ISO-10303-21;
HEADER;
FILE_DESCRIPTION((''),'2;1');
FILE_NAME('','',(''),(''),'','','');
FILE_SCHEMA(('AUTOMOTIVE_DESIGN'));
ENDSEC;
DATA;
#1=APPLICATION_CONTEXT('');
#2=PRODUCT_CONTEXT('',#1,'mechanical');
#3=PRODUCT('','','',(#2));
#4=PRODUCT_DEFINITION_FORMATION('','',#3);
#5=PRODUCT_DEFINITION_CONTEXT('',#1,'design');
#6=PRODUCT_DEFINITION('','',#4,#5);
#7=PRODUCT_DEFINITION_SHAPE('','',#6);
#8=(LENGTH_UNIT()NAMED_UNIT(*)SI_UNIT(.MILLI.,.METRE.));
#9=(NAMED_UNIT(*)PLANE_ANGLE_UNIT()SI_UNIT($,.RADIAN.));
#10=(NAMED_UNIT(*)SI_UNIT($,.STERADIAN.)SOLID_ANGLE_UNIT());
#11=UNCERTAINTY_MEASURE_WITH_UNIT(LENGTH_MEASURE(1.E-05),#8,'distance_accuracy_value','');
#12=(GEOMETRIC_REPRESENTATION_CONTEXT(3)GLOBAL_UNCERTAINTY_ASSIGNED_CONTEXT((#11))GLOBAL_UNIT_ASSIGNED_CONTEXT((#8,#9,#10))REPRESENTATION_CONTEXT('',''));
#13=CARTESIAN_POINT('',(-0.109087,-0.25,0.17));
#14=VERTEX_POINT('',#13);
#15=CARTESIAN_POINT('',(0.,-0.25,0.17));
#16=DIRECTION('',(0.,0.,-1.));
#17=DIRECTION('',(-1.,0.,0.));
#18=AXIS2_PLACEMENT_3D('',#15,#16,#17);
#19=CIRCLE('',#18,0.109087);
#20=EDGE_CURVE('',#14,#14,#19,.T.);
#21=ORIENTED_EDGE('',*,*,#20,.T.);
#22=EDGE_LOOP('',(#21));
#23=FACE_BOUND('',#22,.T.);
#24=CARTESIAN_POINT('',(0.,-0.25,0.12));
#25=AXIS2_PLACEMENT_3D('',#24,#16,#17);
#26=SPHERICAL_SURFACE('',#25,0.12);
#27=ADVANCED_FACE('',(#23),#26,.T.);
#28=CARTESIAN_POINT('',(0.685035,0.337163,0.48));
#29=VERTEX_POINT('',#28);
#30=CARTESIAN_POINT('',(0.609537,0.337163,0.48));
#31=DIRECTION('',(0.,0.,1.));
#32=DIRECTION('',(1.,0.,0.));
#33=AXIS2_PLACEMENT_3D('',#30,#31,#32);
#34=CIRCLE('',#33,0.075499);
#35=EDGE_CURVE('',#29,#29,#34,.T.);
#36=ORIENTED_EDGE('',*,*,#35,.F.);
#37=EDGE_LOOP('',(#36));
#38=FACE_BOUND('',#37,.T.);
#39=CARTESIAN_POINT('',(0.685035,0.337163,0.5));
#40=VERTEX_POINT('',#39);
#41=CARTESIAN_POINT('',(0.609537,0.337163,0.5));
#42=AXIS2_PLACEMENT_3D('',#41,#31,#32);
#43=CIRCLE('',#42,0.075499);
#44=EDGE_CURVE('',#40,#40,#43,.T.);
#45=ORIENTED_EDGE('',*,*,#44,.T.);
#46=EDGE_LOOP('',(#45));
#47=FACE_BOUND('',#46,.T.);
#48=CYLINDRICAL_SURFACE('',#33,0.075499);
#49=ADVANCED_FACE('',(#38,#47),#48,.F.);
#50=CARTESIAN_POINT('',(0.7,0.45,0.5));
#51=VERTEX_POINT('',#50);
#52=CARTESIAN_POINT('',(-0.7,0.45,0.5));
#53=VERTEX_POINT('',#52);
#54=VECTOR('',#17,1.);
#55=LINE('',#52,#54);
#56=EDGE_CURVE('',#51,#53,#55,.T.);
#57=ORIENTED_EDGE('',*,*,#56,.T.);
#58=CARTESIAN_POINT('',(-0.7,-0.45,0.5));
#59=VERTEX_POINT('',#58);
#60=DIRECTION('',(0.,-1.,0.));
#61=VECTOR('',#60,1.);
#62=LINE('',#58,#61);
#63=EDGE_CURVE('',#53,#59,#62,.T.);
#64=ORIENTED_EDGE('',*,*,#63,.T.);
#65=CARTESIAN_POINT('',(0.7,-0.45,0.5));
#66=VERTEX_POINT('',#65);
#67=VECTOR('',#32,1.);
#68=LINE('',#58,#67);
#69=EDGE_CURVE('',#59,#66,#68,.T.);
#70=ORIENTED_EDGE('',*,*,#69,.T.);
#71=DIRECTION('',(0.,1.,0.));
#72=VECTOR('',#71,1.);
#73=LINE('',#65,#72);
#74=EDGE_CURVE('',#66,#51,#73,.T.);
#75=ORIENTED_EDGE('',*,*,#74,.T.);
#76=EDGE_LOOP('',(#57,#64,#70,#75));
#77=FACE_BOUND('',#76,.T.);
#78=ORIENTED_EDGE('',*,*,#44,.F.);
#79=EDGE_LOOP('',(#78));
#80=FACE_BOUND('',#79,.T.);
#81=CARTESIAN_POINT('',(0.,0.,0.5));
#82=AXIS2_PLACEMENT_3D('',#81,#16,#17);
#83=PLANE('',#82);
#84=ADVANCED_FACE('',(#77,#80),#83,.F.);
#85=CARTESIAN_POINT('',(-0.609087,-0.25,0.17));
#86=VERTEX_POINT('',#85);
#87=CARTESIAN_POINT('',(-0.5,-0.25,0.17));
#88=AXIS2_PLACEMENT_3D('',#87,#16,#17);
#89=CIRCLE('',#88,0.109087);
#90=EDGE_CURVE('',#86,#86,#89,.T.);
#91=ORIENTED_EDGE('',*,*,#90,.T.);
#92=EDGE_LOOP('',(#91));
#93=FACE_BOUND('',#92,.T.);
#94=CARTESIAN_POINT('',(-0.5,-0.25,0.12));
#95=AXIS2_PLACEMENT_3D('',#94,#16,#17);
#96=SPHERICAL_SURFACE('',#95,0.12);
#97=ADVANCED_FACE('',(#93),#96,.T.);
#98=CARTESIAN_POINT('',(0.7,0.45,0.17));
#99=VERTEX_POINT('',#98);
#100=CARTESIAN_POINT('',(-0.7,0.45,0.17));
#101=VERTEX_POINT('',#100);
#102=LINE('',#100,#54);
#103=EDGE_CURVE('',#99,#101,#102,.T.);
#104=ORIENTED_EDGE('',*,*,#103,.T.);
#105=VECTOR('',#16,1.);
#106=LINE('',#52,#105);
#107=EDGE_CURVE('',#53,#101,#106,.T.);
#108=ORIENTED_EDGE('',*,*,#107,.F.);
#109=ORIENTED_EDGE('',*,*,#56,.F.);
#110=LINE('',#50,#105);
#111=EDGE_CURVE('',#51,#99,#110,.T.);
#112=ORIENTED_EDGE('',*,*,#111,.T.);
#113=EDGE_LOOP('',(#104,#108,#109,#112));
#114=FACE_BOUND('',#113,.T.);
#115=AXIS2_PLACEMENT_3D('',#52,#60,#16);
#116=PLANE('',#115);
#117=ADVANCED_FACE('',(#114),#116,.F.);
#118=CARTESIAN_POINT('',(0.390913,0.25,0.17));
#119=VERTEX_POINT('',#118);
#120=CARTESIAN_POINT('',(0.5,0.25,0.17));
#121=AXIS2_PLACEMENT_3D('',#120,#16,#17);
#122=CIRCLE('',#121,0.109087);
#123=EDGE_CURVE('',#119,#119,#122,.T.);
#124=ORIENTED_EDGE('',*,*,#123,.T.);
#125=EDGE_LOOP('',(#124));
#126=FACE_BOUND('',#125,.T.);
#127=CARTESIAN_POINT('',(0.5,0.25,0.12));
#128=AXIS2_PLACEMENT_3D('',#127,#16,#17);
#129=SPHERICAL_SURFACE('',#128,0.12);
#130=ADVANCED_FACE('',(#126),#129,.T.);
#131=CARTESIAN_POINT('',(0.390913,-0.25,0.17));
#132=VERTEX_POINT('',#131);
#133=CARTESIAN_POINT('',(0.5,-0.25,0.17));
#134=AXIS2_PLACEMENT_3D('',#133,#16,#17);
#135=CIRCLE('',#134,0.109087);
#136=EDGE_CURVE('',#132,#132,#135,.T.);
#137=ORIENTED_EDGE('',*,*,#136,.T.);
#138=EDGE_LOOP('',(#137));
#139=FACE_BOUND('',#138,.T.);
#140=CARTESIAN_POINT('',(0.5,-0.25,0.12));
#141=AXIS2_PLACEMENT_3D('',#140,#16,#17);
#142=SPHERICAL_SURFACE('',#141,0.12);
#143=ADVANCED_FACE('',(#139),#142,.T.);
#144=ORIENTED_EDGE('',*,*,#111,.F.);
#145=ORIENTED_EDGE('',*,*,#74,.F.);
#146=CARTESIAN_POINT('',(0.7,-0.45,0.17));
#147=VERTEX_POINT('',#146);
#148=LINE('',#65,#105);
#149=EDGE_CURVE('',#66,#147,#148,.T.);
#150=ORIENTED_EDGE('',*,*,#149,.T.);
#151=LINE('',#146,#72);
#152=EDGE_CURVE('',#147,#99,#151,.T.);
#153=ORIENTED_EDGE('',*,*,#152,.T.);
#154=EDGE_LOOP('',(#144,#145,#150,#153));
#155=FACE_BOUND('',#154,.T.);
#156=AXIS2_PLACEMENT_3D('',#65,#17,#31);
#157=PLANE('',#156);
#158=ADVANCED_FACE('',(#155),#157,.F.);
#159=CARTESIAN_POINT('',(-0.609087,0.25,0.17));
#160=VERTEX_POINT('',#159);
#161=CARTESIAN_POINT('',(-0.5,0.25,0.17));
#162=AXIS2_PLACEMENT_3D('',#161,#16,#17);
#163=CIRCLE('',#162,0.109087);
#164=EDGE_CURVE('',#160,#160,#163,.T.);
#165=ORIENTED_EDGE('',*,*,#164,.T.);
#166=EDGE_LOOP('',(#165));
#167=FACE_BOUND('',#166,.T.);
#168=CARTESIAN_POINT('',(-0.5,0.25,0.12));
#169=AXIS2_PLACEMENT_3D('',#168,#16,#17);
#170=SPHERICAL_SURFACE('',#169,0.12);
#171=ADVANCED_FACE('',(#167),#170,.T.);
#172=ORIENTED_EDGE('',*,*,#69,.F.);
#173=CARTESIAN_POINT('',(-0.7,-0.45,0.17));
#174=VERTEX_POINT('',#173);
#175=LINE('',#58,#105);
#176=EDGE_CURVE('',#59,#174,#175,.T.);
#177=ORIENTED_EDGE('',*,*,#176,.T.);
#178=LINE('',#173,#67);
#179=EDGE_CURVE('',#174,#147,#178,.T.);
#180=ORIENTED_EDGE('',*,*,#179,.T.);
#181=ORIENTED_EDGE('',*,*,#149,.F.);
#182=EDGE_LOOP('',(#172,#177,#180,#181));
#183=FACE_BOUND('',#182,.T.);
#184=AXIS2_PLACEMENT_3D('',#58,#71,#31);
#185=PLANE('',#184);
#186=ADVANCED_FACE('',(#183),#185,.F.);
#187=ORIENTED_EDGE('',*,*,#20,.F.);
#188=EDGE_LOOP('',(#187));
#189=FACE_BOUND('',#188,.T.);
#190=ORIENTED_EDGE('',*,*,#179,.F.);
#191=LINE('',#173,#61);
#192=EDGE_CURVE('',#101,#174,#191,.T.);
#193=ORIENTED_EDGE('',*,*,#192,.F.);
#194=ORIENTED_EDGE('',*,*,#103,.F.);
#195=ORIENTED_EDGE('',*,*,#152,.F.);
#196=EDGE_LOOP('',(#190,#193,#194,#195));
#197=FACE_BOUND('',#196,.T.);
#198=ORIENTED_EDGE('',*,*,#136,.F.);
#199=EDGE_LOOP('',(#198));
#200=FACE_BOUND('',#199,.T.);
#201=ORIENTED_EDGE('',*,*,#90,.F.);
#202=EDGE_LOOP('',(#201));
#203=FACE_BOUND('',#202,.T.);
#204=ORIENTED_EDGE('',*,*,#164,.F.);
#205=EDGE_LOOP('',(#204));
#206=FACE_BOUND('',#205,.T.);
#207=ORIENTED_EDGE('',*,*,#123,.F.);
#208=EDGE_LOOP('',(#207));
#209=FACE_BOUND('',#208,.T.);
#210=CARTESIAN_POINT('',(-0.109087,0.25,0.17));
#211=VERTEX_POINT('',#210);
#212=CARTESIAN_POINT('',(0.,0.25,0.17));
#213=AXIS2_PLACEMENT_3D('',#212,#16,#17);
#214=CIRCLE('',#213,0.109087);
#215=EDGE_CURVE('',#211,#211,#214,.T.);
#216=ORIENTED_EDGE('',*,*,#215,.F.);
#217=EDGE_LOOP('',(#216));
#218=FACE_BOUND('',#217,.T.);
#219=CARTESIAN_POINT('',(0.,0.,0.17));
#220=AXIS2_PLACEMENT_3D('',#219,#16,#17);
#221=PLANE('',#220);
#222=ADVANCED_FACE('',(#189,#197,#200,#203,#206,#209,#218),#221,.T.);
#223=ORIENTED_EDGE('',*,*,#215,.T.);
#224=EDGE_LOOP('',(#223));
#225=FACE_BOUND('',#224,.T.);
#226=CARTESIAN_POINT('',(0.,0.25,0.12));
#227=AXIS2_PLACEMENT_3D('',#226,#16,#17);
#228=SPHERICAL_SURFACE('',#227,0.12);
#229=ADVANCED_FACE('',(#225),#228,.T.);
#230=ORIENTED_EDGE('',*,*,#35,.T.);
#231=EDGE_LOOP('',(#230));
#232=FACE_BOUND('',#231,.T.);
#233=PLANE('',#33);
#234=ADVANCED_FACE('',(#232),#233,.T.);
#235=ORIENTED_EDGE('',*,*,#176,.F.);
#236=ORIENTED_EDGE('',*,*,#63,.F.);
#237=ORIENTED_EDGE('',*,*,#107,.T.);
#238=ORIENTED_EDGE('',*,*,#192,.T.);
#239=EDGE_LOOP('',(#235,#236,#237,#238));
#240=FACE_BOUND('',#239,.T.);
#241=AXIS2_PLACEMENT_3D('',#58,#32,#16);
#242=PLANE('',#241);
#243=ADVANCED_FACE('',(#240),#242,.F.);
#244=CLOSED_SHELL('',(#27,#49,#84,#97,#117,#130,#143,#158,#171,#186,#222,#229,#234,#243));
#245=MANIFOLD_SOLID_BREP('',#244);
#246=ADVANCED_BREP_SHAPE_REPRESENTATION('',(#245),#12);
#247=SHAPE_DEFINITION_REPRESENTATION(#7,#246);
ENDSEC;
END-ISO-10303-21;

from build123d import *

# Parameters (mm, degrees)
BOSS_EXTRUDE1_START  = 0.17
SKETCH1_W            = 1.4
SKETCH1_H            = 0.9
BOSS_EXTRUDE1_DEPTH  = 0.33
LPATTERN1_COUNT      = 3
LPATTERN1_PITCH      = 0.5
LPATTERN1_COUNT_DIR2 = 2
LPATTERN1_PITCH_DIR2 = 0.5
SKETCH3_R            = 0.075498707
CUT_EXTRUDE1_DEPTH   = 0.02


with BuildPart() as part:
    # Sketch1 → Boss-Extrude1 (new body)
    with BuildSketch(Plane.XY.offset(BOSS_EXTRUDE1_START)):
        Rectangle(SKETCH1_W, SKETCH1_H)
    extrude(amount=BOSS_EXTRUDE1_DEPTH)

    # Sketch2 → Revolve1 (revolve)
    with BuildSketch(Plane(origin=(0, 0.25, 0), x_dir=(1, 0, 0), z_dir=(0, 1, 0))):
        with BuildLine():
            Line((-0.5, 0), (-0.5, -0.24))
            ThreePointArc((-0.5, -0.24), (-0.62, -0.12), (-0.5, 0))
        make_face()
    revolve1 = revolve(axis=Axis((-0.5, 0.25, 0), (0, 0, 1)))

    # LPattern1: Revolve1 3 × 2
    with Locations(*[(i * LPATTERN1_PITCH, -j * LPATTERN1_PITCH_DIR2, 0) for i in range(LPATTERN1_COUNT) for j in range(LPATTERN1_COUNT_DIR2) if (i, j) != (0, 0)]):
        add(revolve1)

    # Sketch3 → Cut-Extrude1 (cut)
    with BuildSketch(Plane.XY.offset(0.5)):
        with Locations((0.609536705, 0.337163061)):
            Circle(SKETCH3_R)
    extrude(amount=-CUT_EXTRUDE1_DEPTH, mode=Mode.SUBTRACT)


solid = part.part
